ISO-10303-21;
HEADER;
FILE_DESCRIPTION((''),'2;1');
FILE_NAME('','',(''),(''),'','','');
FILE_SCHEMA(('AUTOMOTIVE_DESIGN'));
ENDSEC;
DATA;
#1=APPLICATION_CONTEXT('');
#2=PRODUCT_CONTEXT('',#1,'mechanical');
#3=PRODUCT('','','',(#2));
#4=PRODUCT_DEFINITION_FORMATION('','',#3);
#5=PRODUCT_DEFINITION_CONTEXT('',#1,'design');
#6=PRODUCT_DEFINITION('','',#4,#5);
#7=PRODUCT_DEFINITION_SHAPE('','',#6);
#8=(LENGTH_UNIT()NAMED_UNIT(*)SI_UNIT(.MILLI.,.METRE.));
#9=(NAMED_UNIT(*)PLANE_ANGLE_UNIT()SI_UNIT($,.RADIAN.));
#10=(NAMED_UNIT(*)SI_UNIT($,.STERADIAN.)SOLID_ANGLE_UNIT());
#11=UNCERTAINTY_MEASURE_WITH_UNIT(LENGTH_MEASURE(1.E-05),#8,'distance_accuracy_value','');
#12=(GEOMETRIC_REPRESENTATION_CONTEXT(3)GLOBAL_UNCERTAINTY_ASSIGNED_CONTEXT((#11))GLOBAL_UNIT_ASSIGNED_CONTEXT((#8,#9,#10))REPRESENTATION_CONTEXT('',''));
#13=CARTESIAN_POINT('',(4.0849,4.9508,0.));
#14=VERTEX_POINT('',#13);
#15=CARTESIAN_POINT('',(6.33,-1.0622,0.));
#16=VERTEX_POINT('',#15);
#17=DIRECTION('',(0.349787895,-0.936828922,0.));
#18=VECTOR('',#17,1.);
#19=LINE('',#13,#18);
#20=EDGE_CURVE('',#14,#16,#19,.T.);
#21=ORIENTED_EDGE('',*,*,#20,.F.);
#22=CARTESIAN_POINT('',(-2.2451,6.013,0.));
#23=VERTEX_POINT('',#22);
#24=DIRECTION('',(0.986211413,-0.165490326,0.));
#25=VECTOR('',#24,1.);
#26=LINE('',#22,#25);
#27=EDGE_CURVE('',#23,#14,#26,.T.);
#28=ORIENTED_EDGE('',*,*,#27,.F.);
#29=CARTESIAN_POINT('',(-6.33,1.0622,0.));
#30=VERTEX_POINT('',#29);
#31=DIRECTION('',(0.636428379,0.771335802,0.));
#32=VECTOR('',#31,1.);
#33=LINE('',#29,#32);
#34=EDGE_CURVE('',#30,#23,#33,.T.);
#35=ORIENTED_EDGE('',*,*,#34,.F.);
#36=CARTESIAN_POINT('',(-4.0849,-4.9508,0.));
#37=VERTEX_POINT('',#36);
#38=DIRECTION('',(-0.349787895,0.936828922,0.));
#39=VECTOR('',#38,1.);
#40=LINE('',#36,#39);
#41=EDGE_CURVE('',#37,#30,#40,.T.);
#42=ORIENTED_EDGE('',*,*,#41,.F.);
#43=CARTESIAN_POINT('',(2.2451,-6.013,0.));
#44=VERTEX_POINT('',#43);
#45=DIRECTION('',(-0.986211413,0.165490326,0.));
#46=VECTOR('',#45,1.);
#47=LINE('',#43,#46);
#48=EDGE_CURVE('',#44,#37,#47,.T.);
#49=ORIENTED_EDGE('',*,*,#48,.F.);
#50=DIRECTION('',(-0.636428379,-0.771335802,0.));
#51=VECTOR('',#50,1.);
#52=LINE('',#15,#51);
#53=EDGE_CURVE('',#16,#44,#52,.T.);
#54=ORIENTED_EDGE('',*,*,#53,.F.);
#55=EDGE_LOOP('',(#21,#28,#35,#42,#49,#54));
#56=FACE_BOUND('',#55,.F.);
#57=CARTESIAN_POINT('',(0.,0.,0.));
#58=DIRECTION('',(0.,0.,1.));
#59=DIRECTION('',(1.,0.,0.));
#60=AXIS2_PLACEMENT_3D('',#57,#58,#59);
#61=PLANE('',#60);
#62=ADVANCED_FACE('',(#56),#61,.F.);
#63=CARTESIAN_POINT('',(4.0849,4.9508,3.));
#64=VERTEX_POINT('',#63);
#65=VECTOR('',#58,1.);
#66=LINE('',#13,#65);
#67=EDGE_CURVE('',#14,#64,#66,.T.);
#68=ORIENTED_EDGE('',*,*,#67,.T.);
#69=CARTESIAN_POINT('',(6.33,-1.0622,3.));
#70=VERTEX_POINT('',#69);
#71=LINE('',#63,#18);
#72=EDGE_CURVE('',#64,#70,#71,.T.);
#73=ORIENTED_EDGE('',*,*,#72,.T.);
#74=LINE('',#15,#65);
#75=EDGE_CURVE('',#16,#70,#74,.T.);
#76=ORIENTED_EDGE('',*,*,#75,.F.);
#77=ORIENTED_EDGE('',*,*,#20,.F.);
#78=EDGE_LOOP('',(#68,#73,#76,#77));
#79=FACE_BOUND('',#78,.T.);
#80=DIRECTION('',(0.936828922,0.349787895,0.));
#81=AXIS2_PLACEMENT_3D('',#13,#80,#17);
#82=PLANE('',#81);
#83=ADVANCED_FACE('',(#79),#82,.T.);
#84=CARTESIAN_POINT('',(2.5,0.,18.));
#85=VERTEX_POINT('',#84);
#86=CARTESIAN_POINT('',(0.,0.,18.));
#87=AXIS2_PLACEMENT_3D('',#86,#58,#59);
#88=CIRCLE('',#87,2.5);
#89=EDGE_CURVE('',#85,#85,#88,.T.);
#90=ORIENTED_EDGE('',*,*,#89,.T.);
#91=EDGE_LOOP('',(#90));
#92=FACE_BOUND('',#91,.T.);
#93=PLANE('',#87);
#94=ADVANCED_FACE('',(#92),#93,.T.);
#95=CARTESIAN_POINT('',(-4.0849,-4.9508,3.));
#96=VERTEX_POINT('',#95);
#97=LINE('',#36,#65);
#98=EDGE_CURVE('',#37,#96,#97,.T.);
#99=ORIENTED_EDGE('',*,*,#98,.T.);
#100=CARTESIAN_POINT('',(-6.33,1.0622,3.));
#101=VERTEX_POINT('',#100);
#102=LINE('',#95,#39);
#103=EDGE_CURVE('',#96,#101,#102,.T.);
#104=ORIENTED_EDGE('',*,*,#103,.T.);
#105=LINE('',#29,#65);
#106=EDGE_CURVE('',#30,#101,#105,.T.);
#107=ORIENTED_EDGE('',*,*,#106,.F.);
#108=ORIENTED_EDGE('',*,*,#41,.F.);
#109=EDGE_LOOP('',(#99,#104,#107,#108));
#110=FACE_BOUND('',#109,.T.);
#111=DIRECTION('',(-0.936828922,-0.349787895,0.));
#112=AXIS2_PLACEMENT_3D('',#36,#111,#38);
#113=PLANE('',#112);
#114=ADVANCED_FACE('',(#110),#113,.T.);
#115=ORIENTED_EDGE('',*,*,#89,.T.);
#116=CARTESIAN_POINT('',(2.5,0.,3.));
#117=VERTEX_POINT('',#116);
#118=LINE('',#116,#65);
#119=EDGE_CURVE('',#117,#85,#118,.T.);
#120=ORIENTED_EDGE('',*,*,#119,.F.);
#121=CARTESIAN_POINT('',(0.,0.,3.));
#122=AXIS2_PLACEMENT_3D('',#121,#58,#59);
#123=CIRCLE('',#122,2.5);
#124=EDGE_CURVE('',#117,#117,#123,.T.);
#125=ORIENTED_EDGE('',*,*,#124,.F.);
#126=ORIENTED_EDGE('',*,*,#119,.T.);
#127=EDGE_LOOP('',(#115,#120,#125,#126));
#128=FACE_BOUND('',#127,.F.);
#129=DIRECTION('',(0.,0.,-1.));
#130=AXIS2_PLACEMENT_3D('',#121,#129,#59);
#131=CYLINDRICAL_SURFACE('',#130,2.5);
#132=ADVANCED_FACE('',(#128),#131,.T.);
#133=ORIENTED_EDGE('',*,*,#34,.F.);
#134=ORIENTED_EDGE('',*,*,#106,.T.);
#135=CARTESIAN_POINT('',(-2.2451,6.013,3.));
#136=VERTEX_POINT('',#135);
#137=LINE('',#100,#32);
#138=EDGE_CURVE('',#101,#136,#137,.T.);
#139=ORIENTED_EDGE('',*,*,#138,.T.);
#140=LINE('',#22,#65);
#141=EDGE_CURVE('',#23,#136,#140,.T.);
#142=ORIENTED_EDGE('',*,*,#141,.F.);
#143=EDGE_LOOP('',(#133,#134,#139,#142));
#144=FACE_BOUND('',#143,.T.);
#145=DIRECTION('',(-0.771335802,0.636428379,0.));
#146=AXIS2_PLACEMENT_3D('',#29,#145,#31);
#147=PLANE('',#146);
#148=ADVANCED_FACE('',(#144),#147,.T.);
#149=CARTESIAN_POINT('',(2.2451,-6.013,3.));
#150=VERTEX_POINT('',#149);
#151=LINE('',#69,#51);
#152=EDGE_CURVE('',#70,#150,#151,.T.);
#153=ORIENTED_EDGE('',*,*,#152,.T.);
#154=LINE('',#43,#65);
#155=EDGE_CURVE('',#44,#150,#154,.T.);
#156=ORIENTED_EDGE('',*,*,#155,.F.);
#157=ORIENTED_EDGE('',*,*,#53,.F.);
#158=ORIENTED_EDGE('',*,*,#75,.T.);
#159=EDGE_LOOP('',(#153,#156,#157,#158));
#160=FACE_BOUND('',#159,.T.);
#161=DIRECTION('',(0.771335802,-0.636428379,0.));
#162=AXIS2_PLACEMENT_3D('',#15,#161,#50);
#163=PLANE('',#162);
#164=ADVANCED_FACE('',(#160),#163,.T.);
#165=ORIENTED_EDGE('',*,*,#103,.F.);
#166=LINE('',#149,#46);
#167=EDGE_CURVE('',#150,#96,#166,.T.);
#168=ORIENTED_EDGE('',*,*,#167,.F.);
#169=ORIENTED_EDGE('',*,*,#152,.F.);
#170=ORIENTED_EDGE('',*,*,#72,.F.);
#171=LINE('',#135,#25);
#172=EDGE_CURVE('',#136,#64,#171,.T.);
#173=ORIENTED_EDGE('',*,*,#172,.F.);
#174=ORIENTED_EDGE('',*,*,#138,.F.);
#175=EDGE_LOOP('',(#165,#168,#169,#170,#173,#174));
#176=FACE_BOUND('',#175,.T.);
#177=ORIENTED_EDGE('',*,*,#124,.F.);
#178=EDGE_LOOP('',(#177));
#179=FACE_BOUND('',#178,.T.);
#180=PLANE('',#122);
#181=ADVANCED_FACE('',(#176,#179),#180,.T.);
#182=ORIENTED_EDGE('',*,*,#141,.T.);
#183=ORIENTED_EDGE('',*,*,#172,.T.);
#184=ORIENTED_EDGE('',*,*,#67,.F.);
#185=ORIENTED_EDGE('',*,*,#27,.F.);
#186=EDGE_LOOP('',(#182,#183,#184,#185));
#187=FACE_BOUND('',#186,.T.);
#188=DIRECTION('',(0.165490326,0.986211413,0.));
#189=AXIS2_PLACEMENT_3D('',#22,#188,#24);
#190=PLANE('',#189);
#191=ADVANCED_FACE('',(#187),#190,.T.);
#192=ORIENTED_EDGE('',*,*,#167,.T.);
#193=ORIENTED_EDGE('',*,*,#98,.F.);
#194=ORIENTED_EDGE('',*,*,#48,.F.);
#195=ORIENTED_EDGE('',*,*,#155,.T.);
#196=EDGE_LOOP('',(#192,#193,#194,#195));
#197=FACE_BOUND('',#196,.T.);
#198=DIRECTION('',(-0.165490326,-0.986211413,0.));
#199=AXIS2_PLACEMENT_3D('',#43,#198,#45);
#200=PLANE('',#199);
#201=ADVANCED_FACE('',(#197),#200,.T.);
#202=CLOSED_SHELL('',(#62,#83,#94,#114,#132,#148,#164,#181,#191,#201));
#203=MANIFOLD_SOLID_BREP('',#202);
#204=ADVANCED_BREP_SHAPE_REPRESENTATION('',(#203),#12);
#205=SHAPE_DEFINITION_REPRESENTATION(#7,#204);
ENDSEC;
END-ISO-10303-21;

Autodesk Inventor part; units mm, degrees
ref_plane "YZ Plane" through (0, 0, 0) normal (1, 0, 0) x (0, 1, 0)
ref_plane "XZ Plane" through (0, 0, 0) normal (0, 1, 0) x (-1, 0, 0)
ref_plane "XY Plane" through (0, 0, 0) normal (0, 0, 1) x (1, 0, 0)
sketch "Sketch1" plane through (0, 0, 0) normal (0, 0, 1) x (1, 0, 0)
  line L0 (-6.33, 1.0622) -> (-2.2451, 6.013)
  line L1 (-2.2451, 6.013) -> (4.0849, 4.9508)
  line L2 (4.0849, 4.9508) -> (6.33, -1.0622)
  line L3 (6.33, -1.0622) -> (2.2451, -6.013)
  line L4 (2.2451, -6.013) -> (-4.0849, -4.9508)
  line L5 (-4.0849, -4.9508) -> (-6.33, 1.0622)
  point P0 (0, 0)
  point P1 (0, 0)
extrude "Extrusion1" add sketch "Sketch1" along normal blind 3
sketch "Sketch2" plane through (0, 0, 3) normal (0, 0, 1) x (1, 0, 0)
  circle A0 centre (0, 0) radius 2.5
  dimension "d2" = 5
extrude "Extrusion2" add sketch "Sketch2" along normal blind 15
thread "Thread1" size "M5x0.8" class "6g" standard "ANSI Metric M Profile" full length
properties part number "finalnut"
